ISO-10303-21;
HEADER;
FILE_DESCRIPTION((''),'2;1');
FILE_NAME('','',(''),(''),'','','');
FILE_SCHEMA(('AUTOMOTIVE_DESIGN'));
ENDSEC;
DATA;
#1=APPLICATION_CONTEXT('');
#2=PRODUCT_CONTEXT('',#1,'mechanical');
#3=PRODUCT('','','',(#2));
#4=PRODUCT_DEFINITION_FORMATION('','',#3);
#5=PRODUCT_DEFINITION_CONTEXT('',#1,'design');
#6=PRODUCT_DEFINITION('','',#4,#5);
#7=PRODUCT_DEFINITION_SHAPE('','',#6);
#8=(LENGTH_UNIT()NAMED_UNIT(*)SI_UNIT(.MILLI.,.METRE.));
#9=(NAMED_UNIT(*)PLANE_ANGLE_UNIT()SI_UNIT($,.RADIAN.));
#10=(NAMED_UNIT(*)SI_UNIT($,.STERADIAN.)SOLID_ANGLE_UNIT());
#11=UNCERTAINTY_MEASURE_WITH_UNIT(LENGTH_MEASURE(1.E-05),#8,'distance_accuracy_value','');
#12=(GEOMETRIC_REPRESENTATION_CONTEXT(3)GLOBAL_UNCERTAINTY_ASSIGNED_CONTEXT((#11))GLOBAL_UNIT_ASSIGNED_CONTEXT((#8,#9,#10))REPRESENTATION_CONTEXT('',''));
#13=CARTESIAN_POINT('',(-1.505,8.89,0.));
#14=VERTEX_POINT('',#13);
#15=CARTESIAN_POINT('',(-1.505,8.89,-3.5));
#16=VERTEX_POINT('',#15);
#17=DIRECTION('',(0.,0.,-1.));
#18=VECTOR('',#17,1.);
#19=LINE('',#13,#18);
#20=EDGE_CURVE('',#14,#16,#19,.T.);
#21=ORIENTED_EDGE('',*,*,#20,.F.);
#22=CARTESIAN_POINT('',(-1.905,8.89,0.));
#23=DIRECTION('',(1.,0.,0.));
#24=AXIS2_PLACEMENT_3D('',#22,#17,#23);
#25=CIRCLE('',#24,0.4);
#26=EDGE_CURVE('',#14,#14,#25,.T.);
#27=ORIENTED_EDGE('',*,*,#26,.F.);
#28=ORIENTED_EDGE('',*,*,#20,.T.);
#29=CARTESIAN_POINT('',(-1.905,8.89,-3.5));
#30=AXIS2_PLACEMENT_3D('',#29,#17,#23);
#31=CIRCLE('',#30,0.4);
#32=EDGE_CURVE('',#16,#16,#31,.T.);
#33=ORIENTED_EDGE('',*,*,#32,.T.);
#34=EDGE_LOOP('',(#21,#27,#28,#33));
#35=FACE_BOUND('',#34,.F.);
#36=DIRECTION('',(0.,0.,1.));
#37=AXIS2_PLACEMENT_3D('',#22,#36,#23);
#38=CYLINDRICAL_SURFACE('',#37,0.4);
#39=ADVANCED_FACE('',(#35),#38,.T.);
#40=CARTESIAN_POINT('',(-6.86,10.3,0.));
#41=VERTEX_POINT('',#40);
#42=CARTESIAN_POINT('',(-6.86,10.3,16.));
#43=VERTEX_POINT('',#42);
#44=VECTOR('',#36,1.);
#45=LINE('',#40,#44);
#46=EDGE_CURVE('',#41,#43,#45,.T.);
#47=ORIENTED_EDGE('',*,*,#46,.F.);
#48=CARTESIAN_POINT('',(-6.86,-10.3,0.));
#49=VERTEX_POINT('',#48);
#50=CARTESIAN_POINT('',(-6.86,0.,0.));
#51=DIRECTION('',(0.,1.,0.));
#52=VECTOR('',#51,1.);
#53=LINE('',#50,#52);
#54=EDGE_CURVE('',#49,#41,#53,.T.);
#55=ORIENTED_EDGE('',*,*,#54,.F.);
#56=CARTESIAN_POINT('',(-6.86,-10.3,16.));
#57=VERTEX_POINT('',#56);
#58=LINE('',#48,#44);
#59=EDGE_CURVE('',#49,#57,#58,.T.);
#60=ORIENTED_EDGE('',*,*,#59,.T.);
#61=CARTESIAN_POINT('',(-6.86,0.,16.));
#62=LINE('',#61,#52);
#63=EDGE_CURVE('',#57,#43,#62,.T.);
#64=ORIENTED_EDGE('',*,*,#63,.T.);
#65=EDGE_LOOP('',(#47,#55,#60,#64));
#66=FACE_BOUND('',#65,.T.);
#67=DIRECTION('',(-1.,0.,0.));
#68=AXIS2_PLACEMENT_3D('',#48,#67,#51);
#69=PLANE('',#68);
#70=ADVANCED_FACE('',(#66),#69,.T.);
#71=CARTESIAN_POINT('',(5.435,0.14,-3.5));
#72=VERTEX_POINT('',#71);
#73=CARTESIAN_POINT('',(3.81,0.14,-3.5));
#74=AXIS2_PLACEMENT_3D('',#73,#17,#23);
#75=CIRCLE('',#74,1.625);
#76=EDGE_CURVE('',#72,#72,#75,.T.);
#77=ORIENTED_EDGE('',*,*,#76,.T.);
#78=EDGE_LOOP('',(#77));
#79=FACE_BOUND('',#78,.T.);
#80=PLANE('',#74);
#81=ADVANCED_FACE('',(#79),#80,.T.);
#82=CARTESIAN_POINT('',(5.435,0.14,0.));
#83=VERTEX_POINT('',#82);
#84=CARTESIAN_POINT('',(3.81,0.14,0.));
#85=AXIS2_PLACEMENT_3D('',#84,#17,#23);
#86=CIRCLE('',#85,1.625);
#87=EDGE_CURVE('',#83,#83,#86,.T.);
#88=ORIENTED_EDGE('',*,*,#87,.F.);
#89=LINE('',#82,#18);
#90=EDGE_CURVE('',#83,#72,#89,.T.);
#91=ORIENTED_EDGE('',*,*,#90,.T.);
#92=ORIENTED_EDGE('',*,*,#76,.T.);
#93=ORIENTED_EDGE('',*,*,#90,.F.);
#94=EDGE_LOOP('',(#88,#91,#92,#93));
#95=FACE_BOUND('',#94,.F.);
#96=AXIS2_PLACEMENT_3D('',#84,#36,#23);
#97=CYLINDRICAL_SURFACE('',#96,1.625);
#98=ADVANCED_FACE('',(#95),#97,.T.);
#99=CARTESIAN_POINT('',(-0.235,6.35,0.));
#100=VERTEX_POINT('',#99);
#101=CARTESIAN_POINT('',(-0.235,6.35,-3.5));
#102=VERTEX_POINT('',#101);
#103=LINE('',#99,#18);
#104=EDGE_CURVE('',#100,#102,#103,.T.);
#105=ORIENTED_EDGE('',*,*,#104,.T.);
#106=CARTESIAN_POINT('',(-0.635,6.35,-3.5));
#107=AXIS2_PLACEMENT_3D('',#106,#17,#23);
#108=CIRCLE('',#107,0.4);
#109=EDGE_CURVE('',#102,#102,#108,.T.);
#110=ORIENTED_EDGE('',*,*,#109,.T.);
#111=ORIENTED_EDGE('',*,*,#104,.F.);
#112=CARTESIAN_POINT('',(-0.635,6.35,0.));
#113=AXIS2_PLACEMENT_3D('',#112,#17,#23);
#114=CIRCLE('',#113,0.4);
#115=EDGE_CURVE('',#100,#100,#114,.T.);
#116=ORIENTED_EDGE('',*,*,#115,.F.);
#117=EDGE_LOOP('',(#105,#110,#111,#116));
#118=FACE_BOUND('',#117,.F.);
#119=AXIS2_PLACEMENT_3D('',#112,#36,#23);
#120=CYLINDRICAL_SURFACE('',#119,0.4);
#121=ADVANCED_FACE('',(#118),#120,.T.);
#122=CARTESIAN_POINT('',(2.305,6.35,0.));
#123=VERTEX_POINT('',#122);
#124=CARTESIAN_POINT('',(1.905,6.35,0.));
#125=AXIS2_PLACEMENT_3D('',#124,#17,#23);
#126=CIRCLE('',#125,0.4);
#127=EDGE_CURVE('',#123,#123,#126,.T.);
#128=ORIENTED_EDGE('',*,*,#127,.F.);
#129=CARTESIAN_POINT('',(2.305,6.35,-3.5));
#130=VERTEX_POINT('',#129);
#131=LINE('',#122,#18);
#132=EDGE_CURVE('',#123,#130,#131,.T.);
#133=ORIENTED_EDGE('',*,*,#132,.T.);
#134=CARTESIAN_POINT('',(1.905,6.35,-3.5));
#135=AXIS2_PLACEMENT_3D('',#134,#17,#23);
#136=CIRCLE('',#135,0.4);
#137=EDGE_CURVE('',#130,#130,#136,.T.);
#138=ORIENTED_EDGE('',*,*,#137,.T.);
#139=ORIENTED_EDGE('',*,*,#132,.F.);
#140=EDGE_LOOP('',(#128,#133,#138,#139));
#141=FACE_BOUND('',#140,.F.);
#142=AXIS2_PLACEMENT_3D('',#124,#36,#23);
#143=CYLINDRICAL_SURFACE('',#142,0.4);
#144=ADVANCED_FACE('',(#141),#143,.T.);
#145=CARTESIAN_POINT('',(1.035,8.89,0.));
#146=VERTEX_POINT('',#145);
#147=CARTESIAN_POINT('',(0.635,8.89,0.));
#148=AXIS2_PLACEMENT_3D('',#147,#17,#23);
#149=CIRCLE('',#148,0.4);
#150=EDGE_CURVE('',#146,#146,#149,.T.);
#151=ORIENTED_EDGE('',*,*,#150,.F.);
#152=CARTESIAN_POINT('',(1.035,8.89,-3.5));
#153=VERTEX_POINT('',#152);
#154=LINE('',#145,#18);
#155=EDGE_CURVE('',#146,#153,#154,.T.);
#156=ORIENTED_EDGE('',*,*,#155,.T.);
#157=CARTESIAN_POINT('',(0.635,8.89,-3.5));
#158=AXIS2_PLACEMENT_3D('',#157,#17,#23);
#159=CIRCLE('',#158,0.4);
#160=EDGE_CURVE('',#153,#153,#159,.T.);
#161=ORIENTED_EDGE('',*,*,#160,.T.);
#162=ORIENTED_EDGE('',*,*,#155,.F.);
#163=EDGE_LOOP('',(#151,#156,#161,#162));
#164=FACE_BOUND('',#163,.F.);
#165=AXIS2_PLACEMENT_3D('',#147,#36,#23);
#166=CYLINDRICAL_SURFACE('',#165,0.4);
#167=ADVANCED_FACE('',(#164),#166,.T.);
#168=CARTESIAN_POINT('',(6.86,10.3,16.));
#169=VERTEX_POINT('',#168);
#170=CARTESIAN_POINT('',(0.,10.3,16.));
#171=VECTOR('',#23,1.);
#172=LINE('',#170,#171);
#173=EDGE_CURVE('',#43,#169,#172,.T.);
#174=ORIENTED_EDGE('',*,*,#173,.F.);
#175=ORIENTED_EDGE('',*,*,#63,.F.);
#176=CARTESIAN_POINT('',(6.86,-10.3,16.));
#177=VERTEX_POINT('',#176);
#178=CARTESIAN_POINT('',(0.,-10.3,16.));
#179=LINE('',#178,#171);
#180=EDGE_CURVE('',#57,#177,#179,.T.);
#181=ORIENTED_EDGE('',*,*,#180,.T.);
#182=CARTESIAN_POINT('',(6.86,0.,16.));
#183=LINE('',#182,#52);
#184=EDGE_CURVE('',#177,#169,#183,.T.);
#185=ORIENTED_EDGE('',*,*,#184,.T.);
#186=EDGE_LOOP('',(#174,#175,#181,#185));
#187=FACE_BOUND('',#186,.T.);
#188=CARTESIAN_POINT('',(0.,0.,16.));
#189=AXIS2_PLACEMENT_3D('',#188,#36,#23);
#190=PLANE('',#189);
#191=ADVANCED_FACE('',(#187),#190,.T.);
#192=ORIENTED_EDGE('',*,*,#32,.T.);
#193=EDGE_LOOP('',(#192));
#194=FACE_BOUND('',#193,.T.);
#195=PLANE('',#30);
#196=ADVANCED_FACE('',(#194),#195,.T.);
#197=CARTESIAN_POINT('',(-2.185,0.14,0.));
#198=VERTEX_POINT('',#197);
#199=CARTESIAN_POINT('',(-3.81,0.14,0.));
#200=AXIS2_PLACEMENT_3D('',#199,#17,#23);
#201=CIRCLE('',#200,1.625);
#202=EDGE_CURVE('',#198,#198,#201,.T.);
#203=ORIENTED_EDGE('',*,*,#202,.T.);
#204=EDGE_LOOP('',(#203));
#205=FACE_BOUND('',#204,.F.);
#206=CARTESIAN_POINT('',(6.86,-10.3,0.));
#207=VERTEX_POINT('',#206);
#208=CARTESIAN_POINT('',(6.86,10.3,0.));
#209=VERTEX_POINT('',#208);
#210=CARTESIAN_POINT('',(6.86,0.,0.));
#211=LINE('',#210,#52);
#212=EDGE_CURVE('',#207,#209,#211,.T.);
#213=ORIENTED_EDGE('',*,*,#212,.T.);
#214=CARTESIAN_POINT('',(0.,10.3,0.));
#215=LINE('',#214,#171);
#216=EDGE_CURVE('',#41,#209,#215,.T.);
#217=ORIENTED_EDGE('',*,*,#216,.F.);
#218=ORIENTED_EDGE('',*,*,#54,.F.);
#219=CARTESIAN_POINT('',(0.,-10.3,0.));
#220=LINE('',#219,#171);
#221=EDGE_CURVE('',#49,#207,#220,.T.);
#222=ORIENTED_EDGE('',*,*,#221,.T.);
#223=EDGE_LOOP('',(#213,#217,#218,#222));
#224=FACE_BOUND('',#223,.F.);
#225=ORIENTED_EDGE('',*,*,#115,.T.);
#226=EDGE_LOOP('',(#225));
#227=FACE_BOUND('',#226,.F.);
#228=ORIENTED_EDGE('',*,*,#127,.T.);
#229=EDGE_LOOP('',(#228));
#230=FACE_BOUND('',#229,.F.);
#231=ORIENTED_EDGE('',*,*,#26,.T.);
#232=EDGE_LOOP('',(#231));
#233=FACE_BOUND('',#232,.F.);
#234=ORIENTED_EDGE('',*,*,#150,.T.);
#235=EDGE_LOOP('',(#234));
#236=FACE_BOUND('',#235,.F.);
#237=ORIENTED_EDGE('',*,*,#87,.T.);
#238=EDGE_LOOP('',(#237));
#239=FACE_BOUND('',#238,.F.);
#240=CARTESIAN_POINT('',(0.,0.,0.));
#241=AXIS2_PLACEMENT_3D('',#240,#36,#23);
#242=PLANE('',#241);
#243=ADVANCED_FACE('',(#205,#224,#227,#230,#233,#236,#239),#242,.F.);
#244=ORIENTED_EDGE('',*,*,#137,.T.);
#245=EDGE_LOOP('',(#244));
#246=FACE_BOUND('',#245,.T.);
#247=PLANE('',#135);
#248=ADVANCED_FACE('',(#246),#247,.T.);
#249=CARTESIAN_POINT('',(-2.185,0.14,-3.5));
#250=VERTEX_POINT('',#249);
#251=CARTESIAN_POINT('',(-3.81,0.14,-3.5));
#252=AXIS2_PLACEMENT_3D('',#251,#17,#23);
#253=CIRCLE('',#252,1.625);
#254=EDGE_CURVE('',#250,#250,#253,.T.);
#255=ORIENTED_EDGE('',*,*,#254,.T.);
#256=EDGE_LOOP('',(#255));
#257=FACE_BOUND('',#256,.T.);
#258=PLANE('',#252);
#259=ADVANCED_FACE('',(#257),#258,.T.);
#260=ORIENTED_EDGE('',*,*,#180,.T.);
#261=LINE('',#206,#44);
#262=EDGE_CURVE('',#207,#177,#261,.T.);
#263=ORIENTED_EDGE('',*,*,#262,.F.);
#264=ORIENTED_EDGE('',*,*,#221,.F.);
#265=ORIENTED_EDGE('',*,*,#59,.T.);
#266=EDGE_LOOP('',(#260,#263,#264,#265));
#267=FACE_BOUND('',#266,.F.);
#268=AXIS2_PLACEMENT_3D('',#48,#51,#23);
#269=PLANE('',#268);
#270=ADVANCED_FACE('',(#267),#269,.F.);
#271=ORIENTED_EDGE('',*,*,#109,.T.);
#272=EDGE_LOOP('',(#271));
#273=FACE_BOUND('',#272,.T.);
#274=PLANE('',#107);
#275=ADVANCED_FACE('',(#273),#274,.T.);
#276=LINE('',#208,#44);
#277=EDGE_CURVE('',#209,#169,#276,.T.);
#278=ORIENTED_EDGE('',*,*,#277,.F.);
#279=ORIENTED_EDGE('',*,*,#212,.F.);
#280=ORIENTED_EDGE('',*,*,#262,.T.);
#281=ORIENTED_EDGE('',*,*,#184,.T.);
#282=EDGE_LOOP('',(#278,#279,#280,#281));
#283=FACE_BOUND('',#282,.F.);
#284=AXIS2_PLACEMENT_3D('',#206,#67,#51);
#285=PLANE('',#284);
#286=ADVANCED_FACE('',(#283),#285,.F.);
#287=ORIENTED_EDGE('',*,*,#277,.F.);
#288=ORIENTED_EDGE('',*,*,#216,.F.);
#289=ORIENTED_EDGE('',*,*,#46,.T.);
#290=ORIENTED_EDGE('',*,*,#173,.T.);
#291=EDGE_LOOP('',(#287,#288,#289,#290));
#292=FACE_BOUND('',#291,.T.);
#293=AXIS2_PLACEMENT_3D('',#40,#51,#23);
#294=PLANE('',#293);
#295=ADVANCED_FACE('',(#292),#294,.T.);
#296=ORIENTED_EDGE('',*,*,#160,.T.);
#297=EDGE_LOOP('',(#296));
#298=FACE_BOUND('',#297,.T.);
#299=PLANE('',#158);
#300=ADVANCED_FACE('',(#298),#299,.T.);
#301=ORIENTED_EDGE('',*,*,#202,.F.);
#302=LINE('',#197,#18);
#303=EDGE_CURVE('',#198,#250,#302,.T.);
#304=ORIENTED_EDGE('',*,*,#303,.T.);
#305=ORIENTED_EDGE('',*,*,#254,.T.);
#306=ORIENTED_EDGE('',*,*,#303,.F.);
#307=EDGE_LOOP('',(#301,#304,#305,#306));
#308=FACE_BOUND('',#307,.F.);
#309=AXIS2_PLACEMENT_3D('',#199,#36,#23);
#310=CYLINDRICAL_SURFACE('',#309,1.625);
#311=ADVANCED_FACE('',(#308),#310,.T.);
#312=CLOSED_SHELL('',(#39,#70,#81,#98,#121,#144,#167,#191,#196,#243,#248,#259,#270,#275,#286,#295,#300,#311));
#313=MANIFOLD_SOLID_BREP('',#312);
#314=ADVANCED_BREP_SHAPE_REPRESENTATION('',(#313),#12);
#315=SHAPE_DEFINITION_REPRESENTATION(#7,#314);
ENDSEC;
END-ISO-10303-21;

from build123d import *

# Parameters (mm, degrees)
F0_W     = 13.72
F0_H     = 20.6
F1_DEPTH = 16
F2_R     = 1.625
F3_DEPTH = 3.5
F4_R     = 0.4
F5_DEPTH = 3.5


with BuildPart() as f1:
    # F0 (on Top) → F1 (new body)
    with BuildSketch(Plane.XY):
        Rectangle(F0_W, F0_H)
    extrude(amount=F1_DEPTH)

    # F2 (on face) → F3 (join)
    with BuildSketch(Plane(origin=(0, 0, 0), x_dir=(1, 0, 0), z_dir=(0, 0, -1))):
        with Locations((-3.81, -0.14)):
            Circle(F2_R)
        with Locations((3.81, -0.14)):
            Circle(F2_R)
    extrude(amount=F3_DEPTH)

    # F4 (on face) → F5 (join)
    with BuildSketch(Plane(origin=(0, 0, 0), x_dir=(1, 0, 0), z_dir=(0, 0, -1))):
        with Locations((-0.635, -6.35)):
            Circle(F4_R)
        with Locations((1.905, -6.35)):
            Circle(F4_R)
        with Locations((-1.905, -8.89)):
            Circle(F4_R)
        with Locations((0.635, -8.89)):
            Circle(F4_R)
    extrude(amount=F5_DEPTH)


solid = f1.part
